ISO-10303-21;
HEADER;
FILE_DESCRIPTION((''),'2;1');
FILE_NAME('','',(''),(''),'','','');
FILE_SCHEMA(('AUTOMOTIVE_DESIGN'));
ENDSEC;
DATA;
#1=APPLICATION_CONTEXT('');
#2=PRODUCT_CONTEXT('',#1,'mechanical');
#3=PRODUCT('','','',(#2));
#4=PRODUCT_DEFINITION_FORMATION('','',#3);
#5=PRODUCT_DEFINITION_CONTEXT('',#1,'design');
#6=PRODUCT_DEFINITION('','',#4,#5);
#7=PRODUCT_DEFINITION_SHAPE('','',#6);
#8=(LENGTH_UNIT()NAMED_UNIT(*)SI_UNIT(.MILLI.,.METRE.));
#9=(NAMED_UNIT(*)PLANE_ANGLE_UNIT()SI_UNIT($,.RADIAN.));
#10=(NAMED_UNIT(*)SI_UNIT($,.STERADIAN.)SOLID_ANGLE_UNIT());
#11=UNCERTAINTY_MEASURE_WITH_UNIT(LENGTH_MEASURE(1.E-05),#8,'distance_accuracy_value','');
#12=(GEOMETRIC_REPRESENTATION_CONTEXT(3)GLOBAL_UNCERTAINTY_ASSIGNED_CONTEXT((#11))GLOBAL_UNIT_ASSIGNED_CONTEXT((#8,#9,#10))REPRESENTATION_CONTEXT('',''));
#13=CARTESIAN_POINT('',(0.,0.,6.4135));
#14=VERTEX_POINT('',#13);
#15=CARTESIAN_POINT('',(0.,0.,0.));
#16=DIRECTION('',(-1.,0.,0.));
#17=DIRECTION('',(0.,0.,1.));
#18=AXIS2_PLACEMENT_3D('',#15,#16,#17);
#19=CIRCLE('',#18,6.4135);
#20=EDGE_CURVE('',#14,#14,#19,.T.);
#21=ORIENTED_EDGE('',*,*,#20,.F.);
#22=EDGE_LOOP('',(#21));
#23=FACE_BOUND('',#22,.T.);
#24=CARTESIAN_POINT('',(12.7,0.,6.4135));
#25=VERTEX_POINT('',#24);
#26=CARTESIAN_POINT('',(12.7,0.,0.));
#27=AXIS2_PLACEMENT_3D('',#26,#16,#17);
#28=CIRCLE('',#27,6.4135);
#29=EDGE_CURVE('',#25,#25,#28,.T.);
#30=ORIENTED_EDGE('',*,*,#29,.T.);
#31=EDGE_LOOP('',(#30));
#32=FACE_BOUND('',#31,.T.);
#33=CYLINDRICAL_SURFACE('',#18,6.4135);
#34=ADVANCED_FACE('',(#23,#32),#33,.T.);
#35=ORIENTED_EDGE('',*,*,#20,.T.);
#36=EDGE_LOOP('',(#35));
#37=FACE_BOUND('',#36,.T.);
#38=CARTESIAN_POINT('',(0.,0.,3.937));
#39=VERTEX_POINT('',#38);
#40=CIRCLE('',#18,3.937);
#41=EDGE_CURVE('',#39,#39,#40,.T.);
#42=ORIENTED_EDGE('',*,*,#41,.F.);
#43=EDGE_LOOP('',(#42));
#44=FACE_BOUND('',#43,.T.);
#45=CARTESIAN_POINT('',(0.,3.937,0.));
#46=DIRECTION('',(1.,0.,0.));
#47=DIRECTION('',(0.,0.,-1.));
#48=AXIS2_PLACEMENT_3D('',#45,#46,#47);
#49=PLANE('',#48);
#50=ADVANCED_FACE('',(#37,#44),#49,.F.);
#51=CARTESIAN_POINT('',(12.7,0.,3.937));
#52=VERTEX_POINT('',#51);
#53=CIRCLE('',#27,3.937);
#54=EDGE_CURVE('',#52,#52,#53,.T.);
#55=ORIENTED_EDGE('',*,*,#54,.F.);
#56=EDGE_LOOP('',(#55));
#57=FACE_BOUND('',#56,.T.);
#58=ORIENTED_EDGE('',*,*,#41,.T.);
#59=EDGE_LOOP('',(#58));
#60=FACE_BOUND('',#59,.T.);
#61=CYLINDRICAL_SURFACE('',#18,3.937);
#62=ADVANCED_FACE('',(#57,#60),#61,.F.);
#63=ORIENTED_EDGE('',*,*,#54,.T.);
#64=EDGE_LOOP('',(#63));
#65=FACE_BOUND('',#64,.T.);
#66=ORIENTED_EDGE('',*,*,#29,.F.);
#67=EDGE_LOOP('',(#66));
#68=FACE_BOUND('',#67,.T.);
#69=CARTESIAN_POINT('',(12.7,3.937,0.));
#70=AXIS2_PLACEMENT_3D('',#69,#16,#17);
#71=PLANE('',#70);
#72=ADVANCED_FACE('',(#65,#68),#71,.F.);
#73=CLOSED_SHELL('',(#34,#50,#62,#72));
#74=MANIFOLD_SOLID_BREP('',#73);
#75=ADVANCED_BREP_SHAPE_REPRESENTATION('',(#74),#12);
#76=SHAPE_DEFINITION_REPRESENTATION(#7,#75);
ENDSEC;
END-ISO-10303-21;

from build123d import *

# Parameters (mm, degrees)
SKETCH1_W = 12.7
SKETCH1_H = 2.4765


with BuildPart() as part:
    # Sketch1 → Revolve1 (revolve)
    with BuildSketch(Plane.XY, mode=Mode.PRIVATE) as revolve1_sk:
        with Locations((6.35, 5.17525)):
            Rectangle(SKETCH1_W, SKETCH1_H)
    revolve(revolve1_sk.sketch.rotate(Axis((0, 0, 0), (1, 0, 0)), 90), axis=Axis((0, 0, 0), (1, 0, 0)))


solid = part.part
